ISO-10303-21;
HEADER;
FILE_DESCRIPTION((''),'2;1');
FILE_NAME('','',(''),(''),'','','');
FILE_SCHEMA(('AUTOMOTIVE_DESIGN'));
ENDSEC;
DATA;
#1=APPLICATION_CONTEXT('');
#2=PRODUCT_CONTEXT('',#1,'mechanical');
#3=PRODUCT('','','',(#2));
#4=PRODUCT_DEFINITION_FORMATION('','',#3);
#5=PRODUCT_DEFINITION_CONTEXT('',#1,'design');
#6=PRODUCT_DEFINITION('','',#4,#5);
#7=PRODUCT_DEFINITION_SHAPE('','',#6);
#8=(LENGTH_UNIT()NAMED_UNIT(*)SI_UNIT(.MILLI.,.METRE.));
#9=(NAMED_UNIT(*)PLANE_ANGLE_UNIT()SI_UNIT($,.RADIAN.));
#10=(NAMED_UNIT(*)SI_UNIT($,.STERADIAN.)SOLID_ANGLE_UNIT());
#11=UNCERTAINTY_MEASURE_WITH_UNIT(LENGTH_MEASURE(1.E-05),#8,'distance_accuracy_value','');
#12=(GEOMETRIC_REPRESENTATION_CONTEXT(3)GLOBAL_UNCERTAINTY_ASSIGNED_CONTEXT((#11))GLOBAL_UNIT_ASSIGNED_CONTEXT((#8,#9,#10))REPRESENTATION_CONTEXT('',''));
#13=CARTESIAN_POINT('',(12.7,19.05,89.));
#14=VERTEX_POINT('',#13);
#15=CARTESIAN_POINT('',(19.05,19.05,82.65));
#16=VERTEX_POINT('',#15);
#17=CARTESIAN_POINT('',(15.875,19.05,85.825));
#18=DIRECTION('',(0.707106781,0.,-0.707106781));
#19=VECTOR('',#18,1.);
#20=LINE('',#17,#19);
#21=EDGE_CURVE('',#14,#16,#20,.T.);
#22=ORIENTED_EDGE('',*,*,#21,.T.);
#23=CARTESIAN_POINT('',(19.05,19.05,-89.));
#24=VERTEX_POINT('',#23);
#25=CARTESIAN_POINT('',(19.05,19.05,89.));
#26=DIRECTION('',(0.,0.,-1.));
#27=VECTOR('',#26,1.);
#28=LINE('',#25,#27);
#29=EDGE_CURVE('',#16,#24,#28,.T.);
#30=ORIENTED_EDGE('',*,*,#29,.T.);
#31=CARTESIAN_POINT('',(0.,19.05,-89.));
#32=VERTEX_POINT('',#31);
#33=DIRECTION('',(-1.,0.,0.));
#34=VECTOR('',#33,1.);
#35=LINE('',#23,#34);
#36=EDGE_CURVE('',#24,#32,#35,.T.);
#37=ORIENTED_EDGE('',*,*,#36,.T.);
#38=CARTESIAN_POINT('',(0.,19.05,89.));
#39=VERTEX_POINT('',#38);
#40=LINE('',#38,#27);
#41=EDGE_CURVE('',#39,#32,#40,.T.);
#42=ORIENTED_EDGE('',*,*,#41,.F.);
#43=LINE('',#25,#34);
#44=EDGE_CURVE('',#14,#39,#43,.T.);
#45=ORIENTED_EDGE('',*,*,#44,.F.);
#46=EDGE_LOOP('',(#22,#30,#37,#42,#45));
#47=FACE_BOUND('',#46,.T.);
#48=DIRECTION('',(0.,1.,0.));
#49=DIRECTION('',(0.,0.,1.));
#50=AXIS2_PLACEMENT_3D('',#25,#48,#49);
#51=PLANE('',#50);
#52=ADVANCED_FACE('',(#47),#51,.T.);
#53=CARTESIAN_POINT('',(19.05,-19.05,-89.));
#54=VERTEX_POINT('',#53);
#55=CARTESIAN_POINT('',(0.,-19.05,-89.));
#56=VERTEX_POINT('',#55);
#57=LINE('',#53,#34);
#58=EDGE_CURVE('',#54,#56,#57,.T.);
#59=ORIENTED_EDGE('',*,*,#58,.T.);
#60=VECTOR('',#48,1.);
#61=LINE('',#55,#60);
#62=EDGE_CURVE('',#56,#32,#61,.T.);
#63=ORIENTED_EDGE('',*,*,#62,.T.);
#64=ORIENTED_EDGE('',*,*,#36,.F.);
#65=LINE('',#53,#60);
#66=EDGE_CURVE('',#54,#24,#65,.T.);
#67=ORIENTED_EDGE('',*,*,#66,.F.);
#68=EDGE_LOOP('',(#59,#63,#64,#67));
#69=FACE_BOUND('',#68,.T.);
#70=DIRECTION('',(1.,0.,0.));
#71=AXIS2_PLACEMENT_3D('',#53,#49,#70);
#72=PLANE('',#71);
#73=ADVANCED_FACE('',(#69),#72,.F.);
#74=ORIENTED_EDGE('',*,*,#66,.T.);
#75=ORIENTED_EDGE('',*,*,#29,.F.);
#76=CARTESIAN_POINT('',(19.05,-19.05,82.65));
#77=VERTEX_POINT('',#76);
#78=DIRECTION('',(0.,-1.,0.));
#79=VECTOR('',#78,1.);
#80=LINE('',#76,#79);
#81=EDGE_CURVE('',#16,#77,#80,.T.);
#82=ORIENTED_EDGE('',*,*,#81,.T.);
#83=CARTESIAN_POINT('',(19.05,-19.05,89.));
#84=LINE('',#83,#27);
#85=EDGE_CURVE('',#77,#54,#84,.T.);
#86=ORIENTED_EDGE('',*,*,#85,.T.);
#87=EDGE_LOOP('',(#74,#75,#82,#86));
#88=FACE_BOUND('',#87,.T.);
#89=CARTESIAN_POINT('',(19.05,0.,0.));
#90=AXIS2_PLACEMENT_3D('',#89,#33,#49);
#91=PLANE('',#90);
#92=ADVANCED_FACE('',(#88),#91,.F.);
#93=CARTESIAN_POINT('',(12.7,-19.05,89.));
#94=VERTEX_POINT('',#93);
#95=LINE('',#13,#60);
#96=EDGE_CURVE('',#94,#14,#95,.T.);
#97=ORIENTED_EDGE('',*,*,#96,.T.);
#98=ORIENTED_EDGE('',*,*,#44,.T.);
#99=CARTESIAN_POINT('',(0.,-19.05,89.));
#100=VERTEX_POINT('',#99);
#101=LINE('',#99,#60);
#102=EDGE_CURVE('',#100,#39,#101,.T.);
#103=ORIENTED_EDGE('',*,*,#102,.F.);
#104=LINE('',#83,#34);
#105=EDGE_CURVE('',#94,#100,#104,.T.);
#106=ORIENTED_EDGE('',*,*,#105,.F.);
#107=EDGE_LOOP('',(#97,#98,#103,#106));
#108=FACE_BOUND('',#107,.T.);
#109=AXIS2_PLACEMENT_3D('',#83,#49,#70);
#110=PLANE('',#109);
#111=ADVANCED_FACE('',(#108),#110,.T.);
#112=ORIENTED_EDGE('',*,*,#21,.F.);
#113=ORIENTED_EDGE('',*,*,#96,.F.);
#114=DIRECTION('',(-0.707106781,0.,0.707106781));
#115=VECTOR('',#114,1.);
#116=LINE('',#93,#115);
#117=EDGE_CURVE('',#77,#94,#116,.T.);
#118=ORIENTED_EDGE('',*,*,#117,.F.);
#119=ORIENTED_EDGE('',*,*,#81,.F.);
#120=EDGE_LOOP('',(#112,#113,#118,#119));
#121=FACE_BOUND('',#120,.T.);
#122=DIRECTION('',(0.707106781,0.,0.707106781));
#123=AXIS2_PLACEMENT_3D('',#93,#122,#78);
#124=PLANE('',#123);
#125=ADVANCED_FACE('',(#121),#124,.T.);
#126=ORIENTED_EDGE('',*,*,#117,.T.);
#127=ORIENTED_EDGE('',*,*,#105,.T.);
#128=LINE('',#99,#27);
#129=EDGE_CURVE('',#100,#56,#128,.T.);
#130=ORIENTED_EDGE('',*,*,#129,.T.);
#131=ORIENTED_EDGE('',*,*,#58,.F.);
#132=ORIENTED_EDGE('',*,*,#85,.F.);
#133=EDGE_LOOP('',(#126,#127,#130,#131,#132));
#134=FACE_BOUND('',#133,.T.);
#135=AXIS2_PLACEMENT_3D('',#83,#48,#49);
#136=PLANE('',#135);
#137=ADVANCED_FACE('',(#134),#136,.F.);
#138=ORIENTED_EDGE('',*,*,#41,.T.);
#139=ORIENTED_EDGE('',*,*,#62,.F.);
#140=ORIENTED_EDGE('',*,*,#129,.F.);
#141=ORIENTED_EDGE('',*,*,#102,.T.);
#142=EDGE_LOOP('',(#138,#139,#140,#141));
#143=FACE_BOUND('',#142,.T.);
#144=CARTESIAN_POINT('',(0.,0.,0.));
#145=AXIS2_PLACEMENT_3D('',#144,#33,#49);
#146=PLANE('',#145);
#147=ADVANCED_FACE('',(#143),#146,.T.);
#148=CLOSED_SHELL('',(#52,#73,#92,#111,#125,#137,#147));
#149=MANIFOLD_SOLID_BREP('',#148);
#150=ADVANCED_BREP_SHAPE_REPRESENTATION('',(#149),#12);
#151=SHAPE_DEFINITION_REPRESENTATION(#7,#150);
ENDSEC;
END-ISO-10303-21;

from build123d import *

# Parameters (mm, degrees)
SKETCH1_W           = 178
SKETCH1_H           = 38.1
BOSS_EXTRUDE1_DEPTH = 19.05
CHAMFER1_SIZE       = 6.35


with BuildPart() as part:
    # Sketch1 → Boss-Extrude1 (new body)
    with BuildSketch(Plane(origin=(0, 0, 0), x_dir=(0, 0, -1), z_dir=(1, 0, 0))):
        Rectangle(SKETCH1_W, SKETCH1_H)
    extrude(amount=BOSS_EXTRUDE1_DEPTH)

    # Chamfer1
    chamfer1_edges = [part.edges().sort_by_distance(p)[0] for p in [
        (19.05, 0, 89),
    ]]
    chamfer(chamfer1_edges, length=CHAMFER1_SIZE)


solid = part.part
